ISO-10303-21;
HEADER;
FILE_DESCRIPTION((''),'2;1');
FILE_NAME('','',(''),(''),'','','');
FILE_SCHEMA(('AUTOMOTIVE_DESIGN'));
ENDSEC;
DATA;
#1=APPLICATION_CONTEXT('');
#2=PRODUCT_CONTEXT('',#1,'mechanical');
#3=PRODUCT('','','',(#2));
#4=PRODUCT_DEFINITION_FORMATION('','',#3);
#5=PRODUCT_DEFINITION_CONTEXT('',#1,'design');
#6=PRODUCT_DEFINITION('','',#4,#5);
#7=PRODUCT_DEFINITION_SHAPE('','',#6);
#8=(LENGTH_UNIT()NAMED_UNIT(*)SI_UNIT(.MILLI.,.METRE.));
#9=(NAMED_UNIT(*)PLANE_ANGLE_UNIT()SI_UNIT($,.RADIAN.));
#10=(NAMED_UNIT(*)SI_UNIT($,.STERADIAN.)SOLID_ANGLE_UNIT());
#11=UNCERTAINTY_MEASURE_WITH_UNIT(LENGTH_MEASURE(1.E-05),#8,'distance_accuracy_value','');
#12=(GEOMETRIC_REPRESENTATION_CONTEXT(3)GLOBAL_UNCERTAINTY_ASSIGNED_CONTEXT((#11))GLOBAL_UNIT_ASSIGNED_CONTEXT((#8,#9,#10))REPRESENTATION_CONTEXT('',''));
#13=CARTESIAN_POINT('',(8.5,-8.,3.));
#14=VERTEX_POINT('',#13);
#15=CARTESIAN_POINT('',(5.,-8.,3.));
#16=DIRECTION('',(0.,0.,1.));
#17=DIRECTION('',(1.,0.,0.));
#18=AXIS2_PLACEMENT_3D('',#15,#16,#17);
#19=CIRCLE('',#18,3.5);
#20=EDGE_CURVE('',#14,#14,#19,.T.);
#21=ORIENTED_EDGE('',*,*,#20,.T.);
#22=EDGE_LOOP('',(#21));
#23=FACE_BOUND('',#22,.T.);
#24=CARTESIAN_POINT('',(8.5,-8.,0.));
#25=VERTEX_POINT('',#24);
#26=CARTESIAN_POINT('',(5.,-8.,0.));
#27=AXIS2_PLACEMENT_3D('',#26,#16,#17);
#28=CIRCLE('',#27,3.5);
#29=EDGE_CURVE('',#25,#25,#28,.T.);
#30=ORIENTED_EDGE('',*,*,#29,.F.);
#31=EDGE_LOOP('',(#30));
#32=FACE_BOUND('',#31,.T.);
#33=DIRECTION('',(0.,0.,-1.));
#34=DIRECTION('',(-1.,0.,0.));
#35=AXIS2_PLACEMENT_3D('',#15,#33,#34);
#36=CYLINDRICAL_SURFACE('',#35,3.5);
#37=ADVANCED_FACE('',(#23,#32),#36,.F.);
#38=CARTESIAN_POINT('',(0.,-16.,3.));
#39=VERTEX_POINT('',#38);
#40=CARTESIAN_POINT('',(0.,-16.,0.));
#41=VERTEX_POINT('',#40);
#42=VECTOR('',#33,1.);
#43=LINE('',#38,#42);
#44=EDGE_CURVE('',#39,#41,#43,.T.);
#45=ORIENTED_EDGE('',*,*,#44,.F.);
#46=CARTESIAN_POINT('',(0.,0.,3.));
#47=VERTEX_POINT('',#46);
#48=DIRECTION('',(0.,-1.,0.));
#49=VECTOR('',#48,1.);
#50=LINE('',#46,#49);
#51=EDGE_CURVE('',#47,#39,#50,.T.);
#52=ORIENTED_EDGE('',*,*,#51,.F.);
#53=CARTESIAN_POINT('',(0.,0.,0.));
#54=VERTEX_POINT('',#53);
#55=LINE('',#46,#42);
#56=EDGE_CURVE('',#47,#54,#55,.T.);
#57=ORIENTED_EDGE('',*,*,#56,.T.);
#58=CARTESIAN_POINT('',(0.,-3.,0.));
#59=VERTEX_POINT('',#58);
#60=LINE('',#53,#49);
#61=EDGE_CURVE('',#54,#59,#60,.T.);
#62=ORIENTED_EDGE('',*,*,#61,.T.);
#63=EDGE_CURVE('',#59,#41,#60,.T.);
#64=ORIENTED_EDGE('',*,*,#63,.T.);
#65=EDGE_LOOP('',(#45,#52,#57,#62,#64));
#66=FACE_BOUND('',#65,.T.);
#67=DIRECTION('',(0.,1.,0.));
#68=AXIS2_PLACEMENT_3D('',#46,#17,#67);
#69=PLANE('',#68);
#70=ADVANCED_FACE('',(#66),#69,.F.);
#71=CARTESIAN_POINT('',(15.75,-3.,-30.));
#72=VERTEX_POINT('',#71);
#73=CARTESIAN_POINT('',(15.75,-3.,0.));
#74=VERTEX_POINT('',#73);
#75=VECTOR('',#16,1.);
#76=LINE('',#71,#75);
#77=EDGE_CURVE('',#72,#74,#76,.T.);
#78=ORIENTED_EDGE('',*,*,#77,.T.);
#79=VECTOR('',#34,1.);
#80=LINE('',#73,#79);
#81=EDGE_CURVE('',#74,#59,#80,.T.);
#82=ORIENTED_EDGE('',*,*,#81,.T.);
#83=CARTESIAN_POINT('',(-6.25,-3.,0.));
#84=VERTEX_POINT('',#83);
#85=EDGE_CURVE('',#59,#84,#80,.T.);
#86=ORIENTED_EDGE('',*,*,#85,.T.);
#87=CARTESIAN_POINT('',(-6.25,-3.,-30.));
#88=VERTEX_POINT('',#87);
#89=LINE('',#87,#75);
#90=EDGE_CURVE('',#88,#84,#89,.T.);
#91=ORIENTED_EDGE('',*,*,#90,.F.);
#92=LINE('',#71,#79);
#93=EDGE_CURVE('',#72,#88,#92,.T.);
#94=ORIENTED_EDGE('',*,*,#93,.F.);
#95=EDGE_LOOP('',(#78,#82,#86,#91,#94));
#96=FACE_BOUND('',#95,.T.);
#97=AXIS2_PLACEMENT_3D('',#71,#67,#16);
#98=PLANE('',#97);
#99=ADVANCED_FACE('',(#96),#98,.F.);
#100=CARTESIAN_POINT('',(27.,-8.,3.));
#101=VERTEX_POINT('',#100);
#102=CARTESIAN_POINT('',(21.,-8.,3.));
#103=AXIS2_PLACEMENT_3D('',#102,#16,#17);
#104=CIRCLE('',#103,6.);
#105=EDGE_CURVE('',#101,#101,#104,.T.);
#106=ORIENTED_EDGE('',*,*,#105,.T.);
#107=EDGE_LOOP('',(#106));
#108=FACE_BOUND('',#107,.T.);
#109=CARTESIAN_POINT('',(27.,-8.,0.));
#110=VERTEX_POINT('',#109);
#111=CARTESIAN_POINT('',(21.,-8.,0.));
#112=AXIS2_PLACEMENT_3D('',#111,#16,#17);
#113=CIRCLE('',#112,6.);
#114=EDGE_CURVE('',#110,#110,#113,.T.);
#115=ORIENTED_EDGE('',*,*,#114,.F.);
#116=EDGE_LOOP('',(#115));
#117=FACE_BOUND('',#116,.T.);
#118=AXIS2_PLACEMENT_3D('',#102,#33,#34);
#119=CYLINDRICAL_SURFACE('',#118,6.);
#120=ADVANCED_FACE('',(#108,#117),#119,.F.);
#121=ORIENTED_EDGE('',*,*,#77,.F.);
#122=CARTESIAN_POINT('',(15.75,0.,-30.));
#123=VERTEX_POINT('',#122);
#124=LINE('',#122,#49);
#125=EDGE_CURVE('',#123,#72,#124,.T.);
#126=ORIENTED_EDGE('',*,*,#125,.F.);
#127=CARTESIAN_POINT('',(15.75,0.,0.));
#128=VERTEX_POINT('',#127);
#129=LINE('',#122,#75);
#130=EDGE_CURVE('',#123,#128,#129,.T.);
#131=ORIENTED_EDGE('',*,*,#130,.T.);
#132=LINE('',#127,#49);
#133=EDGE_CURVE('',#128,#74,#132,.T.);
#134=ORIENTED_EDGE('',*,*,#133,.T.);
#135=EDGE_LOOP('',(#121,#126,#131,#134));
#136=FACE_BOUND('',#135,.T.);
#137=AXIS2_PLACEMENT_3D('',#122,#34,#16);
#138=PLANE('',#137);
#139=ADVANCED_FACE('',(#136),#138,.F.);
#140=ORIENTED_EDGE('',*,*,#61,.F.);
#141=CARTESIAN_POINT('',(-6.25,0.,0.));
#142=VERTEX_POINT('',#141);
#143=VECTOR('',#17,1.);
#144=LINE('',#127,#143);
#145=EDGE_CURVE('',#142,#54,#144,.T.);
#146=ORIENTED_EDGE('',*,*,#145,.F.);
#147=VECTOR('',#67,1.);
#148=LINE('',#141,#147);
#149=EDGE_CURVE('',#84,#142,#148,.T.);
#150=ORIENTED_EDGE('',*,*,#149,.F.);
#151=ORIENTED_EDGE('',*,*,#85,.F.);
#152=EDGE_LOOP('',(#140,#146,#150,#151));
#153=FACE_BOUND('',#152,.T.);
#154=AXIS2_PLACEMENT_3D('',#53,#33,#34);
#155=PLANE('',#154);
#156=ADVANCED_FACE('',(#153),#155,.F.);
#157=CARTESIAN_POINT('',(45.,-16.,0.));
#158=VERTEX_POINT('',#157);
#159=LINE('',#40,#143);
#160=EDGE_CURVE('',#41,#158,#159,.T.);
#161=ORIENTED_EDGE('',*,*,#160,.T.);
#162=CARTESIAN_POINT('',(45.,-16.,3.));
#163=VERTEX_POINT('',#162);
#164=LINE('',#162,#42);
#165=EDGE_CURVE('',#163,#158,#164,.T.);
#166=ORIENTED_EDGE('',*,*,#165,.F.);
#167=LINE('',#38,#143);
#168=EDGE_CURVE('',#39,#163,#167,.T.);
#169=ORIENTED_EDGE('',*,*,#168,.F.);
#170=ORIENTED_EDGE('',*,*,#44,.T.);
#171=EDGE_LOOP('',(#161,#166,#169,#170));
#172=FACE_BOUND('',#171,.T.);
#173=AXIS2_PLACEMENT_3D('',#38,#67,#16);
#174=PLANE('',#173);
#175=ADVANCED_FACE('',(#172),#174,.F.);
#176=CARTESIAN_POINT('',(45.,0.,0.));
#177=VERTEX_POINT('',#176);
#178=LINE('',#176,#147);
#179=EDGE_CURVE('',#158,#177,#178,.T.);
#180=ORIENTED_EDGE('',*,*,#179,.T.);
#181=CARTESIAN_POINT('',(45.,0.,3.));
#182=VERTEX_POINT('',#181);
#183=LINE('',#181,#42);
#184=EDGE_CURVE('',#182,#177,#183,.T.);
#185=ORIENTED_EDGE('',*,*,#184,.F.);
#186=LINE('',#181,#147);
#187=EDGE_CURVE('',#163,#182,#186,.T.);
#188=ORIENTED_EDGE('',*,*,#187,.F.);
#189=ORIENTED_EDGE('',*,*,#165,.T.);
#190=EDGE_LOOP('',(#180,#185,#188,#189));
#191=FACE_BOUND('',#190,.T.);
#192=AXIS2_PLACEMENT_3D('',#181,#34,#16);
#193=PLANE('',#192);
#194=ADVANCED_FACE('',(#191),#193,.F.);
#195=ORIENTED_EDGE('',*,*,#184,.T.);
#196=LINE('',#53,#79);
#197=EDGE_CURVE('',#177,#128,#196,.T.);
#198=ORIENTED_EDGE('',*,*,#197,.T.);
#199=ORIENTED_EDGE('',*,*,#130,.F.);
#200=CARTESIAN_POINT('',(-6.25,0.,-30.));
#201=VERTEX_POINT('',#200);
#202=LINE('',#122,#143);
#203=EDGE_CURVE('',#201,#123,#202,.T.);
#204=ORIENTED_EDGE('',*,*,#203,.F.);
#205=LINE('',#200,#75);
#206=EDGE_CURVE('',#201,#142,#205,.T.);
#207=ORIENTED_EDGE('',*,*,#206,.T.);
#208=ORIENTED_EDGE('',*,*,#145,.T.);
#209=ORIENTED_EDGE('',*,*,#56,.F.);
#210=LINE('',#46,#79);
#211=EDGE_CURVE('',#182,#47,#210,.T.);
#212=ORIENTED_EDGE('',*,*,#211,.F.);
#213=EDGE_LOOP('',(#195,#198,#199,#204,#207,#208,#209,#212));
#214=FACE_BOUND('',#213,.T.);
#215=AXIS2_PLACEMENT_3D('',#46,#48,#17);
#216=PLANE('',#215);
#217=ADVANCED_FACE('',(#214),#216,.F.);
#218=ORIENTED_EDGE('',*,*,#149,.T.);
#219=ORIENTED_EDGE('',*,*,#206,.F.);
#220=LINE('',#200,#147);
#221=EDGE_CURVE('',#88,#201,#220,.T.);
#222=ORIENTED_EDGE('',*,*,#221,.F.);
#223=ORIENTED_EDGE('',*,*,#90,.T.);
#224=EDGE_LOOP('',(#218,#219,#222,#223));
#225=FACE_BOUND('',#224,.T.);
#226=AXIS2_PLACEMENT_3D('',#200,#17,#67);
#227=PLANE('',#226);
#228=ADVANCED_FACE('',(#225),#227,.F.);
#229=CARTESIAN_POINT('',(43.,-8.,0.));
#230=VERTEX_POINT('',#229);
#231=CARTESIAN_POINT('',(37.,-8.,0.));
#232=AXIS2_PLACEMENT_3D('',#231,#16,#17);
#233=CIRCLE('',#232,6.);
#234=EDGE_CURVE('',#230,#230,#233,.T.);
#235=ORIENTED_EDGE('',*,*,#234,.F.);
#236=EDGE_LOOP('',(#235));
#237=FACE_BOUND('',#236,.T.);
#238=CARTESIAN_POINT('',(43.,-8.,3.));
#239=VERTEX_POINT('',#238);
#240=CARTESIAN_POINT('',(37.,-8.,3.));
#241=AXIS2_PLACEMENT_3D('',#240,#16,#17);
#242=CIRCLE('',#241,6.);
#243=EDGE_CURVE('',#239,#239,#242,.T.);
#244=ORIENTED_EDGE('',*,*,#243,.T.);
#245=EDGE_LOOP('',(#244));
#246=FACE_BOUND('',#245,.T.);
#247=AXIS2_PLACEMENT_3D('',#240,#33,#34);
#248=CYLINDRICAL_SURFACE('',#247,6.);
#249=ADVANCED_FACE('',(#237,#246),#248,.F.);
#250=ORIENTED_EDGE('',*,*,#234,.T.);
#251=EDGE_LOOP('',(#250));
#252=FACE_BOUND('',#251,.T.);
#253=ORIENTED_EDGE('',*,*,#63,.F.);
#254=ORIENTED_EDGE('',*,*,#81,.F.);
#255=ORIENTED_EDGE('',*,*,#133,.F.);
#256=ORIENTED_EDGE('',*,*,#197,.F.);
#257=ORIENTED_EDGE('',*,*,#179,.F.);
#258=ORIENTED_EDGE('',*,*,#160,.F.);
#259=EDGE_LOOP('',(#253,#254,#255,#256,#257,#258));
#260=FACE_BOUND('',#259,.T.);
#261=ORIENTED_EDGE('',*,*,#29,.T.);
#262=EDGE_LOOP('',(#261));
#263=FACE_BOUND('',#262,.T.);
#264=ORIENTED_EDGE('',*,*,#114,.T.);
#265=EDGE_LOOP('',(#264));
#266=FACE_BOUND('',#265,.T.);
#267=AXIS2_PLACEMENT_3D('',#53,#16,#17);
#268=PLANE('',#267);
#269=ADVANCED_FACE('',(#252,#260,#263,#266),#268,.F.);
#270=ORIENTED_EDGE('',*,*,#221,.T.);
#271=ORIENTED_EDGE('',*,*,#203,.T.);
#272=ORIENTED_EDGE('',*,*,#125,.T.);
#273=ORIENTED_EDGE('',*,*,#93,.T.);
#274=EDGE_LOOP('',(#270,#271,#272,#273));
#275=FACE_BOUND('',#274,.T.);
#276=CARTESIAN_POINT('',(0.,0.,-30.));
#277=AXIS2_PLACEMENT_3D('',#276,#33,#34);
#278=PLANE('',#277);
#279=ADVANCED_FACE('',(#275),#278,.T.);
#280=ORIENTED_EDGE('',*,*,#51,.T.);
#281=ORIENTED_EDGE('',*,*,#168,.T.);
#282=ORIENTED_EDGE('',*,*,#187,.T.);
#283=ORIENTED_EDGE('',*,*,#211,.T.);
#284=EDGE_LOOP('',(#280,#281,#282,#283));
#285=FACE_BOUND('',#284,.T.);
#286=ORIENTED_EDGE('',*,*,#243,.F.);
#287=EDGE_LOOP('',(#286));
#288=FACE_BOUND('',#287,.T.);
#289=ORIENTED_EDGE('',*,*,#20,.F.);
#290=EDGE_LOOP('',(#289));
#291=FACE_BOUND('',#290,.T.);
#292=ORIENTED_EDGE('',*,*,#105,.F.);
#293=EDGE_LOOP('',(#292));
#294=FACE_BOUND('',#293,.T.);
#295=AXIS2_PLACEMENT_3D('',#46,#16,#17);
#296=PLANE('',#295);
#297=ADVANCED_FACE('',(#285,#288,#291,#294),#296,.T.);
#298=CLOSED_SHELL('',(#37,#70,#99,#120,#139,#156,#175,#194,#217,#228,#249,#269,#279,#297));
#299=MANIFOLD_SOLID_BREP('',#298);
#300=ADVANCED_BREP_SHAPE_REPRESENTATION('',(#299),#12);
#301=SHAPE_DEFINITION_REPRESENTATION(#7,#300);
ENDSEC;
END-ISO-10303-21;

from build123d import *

# Parameters (mm, degrees)
SKETCH1_W           = 45
SKETCH1_H           = 16
SKETCH1_R           = 3.5
SKETCH1_R_2         = 6
BOSS_EXTRUDE1_DEPTH = 3
SKETCH3_W           = 22
SKETCH3_H           = 3
BOSS_EXTRUDE3_DEPTH = 30


with BuildPart() as part:
    # Sketch1 → Boss-Extrude1 (new body)
    with BuildSketch(Plane.XY):
        with Locations((22.5, -8)):
            Rectangle(SKETCH1_W, SKETCH1_H)
        with Locations((5, -8)):
            Circle(SKETCH1_R, mode=Mode.SUBTRACT)
        with Locations((21, -8)):
            Circle(SKETCH1_R_2, mode=Mode.SUBTRACT)
        with Locations((37, -8)):
            Circle(SKETCH1_R_2, mode=Mode.SUBTRACT)
    extrude(amount=BOSS_EXTRUDE1_DEPTH)

    # Sketch3 → Boss-Extrude3 (add)
    with BuildSketch(Plane(origin=(0, 0, 0), x_dir=(-1, 0, 0), z_dir=(0, 0, -1))):
        with Locations((-4.75, -1.5)):
            Rectangle(SKETCH3_W, SKETCH3_H)
    extrude(amount=BOSS_EXTRUDE3_DEPTH)


solid = part.part
